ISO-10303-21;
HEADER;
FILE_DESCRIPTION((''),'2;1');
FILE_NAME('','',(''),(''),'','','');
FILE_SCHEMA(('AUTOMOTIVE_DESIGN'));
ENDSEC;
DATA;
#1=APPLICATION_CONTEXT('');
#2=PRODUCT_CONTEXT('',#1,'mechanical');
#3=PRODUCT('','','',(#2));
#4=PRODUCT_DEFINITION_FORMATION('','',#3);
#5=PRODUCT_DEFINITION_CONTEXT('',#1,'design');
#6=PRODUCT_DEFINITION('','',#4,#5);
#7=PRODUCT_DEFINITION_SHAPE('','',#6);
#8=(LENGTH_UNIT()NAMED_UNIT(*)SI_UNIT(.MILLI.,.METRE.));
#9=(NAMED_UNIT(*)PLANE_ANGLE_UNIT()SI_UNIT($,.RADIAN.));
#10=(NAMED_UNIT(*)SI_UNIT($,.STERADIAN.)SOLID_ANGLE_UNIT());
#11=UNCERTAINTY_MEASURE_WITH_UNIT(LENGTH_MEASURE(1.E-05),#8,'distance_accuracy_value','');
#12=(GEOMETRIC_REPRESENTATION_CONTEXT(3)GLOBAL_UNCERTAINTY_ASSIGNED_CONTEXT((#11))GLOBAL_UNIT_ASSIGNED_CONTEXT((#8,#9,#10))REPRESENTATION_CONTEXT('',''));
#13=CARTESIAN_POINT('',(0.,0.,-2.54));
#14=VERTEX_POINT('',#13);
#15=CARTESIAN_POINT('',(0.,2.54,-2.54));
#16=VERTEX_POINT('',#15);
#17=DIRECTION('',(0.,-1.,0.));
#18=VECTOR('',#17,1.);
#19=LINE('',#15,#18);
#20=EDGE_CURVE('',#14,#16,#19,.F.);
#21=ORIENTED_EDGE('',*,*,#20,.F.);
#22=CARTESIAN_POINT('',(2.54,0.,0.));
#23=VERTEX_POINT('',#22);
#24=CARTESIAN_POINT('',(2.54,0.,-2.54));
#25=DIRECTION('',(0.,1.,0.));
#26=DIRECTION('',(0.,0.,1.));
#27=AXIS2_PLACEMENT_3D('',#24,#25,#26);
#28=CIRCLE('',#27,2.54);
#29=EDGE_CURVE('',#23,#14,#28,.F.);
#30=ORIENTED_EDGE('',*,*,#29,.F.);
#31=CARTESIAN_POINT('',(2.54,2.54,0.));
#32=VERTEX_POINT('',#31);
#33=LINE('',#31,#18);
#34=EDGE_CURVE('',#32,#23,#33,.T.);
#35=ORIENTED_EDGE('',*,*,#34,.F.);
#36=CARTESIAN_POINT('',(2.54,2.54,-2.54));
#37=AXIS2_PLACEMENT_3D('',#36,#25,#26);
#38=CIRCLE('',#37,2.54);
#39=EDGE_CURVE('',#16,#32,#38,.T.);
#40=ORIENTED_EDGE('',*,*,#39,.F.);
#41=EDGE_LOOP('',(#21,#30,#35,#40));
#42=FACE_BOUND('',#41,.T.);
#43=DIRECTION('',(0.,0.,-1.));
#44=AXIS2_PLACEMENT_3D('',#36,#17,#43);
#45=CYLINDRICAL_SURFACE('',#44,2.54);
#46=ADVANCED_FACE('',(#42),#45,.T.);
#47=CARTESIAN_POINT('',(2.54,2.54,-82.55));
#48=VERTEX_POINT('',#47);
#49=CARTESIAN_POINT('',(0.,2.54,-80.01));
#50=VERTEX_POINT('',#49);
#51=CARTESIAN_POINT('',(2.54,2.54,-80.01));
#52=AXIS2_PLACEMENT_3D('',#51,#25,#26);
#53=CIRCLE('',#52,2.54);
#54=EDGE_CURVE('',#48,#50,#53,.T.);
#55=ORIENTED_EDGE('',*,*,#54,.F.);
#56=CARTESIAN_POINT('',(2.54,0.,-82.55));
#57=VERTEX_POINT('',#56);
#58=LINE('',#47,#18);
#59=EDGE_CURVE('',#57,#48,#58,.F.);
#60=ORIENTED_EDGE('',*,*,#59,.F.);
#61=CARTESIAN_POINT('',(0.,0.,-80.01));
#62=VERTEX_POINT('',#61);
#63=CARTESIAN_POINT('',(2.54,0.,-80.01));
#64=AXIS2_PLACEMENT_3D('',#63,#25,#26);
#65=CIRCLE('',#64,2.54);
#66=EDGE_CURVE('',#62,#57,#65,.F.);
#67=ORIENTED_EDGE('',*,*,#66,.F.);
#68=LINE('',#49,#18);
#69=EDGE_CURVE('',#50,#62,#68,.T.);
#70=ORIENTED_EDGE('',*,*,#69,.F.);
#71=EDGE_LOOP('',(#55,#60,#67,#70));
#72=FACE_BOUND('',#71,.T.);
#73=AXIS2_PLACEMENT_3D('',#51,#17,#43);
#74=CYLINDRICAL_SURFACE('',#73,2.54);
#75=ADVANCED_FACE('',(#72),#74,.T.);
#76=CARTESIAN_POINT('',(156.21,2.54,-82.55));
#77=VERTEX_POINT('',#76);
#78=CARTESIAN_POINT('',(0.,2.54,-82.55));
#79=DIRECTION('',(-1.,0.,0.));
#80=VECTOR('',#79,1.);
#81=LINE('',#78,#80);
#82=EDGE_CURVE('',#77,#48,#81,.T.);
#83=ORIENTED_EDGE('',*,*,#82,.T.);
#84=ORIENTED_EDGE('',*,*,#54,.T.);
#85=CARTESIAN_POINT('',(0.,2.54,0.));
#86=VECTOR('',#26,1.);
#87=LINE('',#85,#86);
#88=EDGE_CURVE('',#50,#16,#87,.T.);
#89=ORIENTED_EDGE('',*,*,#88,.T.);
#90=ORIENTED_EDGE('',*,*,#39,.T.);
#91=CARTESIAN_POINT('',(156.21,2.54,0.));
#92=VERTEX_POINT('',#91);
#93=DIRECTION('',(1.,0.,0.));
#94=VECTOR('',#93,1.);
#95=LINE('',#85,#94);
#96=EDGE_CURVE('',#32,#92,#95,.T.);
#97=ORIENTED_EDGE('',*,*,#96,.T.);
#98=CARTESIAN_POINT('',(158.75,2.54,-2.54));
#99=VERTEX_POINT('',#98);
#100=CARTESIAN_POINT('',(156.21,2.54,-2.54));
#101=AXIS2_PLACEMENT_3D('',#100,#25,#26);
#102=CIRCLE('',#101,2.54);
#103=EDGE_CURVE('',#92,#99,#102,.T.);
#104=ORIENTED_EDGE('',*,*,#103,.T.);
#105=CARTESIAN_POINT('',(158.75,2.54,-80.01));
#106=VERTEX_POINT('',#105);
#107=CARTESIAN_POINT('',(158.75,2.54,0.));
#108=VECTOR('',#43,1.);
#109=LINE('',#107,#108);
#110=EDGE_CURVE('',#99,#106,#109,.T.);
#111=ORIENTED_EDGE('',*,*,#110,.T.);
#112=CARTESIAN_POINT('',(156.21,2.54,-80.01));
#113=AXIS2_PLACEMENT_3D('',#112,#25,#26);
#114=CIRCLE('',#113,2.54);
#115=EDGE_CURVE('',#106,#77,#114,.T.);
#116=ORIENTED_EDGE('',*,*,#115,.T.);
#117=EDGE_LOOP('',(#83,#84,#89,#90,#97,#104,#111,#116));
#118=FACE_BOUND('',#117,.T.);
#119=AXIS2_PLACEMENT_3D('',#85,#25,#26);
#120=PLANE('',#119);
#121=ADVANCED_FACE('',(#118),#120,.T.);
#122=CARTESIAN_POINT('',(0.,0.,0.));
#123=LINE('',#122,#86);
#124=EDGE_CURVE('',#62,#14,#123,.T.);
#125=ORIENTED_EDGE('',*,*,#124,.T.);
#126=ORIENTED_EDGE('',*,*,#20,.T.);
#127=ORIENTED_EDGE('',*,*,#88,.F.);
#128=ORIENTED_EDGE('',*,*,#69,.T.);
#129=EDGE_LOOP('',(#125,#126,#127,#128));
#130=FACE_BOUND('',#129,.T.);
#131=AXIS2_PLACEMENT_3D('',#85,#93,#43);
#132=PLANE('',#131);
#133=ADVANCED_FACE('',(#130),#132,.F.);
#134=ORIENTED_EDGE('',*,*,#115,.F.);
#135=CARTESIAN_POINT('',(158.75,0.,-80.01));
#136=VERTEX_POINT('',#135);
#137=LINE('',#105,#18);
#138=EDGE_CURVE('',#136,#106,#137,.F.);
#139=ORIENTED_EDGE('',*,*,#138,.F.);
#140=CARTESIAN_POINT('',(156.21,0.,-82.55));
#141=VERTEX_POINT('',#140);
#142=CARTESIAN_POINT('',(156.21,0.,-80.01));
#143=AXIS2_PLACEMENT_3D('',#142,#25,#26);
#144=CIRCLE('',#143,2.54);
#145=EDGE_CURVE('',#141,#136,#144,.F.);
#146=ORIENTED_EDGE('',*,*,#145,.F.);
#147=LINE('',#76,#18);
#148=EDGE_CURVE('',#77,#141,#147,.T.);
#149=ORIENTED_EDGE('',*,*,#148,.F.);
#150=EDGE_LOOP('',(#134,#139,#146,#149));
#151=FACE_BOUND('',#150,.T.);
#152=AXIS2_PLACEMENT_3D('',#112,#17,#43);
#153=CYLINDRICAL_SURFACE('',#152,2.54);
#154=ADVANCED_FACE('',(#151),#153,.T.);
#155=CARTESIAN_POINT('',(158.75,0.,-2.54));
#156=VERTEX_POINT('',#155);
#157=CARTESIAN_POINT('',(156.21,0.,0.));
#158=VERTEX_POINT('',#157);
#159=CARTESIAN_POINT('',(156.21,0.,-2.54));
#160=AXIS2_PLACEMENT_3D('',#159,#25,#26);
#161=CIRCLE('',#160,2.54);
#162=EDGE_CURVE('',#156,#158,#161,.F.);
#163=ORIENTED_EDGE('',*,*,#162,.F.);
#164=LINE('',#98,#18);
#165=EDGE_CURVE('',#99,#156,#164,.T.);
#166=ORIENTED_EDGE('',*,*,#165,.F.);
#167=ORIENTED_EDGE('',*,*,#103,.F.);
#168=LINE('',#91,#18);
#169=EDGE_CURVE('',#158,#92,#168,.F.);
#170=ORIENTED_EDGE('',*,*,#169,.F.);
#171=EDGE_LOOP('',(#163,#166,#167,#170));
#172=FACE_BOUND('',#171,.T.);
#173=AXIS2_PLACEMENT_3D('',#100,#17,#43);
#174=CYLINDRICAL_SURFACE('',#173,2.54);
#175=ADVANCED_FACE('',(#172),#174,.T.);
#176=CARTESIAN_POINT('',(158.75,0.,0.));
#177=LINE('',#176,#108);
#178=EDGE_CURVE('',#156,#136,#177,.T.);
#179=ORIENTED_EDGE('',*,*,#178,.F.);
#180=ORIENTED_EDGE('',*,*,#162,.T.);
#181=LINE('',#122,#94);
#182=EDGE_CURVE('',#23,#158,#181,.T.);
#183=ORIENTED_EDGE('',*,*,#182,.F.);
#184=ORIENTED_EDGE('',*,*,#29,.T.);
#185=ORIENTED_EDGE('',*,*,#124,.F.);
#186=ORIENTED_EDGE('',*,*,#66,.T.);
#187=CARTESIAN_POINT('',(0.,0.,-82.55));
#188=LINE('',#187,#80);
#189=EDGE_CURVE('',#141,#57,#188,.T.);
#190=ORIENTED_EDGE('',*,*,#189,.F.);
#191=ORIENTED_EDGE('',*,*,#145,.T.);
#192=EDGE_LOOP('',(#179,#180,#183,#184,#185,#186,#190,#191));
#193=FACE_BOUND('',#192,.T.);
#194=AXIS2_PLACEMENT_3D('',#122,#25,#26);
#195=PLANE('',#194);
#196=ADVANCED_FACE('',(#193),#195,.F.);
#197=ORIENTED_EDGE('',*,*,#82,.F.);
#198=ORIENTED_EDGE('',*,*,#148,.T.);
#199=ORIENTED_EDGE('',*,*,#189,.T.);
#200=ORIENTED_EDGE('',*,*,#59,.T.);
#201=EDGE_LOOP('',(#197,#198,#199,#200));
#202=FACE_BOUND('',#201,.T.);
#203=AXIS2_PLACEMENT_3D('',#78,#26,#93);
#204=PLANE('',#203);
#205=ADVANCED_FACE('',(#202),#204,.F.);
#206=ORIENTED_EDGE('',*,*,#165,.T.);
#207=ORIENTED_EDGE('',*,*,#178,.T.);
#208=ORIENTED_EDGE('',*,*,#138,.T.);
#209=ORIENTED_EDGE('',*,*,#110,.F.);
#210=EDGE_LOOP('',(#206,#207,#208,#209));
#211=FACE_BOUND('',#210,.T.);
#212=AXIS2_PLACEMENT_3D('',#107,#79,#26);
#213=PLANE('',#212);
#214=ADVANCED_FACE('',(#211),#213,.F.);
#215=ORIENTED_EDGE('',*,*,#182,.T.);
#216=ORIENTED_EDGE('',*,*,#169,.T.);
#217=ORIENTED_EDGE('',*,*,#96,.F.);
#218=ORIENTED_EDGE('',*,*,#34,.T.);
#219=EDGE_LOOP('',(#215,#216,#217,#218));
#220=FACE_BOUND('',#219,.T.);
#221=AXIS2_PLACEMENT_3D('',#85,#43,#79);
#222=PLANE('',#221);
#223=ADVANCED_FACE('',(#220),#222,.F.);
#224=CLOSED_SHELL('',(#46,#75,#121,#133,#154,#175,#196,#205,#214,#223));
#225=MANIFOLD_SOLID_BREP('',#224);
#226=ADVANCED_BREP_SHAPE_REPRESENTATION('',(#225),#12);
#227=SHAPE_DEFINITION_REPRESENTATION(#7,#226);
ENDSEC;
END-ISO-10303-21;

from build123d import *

# Parameters (mm, degrees)
SKETCH2_W           = 158.75
SKETCH2_H           = 82.55
BOSS_EXTRUDE1_DEPTH = 2.54
FILLET1_R           = 2.54


with BuildPart() as part:
    # Sketch2 → Boss-Extrude1 (new body)
    with BuildSketch(Plane(origin=(0, 0, 0), x_dir=(1, 0, 0), z_dir=(0, 1, 0))):
        with Locations((79.375, 41.275)):
            Rectangle(SKETCH2_W, SKETCH2_H)
    extrude(amount=BOSS_EXTRUDE1_DEPTH)

    # Fillet1
    fillet1_edges = [part.edges().sort_by_distance(p)[0] for p in [
        (0, 1.27, 0),
        (0, 1.27, -82.55),
        (158.75, 1.27, -82.55),
        (158.75, 1.27, 0),
    ]]
    fillet(fillet1_edges, radius=FILLET1_R)


solid = part.part
